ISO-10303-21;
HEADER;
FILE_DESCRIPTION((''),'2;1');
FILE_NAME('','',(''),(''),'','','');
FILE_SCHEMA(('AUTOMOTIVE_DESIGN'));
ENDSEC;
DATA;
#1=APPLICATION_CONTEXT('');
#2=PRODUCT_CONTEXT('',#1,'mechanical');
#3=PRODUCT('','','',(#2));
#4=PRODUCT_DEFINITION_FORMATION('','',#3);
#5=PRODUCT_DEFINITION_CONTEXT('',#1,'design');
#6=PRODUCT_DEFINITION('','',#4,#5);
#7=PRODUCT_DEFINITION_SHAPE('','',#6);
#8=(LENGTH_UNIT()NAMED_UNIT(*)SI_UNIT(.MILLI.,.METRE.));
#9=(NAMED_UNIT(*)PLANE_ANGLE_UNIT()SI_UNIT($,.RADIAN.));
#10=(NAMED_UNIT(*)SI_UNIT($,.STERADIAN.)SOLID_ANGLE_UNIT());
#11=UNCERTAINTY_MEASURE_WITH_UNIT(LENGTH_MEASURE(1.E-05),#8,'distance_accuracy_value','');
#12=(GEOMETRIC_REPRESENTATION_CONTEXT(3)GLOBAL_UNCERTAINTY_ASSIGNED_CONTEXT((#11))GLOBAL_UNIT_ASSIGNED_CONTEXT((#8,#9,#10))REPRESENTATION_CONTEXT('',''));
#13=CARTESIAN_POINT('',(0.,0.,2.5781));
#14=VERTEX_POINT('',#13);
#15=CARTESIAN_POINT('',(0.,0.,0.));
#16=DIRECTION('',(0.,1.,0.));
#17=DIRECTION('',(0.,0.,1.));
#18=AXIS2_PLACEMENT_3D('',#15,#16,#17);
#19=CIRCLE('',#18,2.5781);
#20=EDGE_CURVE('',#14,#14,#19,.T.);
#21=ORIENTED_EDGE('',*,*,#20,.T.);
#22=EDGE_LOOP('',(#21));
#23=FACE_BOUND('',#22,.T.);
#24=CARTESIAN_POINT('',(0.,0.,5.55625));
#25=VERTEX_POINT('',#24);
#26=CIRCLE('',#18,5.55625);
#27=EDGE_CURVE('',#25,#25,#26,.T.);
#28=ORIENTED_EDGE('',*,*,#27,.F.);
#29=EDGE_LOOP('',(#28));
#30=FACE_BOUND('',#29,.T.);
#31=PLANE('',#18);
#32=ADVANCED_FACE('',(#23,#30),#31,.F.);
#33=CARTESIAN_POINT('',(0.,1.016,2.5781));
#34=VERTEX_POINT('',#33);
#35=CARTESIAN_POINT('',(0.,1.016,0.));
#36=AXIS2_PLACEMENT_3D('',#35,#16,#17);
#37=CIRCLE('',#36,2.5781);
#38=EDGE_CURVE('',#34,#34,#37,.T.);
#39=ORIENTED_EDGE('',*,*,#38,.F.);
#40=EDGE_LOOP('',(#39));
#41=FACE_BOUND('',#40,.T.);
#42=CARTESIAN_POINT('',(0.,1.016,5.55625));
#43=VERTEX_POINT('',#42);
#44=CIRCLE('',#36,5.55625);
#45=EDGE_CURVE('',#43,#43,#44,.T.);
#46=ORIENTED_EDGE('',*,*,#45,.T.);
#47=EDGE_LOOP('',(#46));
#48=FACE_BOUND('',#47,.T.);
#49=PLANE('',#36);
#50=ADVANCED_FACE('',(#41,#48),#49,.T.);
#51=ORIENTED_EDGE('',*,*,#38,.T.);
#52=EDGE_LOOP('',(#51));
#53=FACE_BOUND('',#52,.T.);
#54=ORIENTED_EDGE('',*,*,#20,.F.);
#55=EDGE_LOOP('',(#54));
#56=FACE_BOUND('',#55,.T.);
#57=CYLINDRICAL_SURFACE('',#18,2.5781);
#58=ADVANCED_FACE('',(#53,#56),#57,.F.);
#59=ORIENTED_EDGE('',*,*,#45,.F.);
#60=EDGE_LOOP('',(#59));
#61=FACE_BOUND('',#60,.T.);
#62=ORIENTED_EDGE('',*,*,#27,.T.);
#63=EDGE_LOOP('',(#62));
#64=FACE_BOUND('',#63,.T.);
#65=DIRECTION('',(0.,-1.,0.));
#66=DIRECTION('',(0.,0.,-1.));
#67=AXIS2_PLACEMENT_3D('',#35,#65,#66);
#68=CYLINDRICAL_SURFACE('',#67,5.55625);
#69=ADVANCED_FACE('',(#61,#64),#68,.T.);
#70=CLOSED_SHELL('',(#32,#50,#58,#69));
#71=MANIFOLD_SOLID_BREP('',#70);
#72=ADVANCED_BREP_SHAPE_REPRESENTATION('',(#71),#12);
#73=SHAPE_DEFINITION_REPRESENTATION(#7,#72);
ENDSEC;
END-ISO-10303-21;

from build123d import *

# Parameters (mm, degrees)
SKETCH1_R           = 5.55625
BOSS_EXTRUDE1_DEPTH = 1.016
SKETCH5_R           = 2.5781
CUT_EXTRUDE1_DEPTH  = 2.016


with BuildPart() as part:
    # Sketch1 → Boss-Extrude1 (new body)
    with BuildSketch(Plane(origin=(0, 0, 0), x_dir=(1, 0, 0), z_dir=(0, 1, 0))):
        Circle(SKETCH1_R)
    extrude(amount=BOSS_EXTRUDE1_DEPTH)

    # Sketch5 → Cut-Extrude1 (cut, through all)
    with BuildSketch(Plane(origin=(0, 1.016, 0), x_dir=(-1, 0, 0), z_dir=(0, 1, 0))):
        Circle(SKETCH5_R)
    extrude(amount=-CUT_EXTRUDE1_DEPTH, mode=Mode.SUBTRACT)


solid = part.part
